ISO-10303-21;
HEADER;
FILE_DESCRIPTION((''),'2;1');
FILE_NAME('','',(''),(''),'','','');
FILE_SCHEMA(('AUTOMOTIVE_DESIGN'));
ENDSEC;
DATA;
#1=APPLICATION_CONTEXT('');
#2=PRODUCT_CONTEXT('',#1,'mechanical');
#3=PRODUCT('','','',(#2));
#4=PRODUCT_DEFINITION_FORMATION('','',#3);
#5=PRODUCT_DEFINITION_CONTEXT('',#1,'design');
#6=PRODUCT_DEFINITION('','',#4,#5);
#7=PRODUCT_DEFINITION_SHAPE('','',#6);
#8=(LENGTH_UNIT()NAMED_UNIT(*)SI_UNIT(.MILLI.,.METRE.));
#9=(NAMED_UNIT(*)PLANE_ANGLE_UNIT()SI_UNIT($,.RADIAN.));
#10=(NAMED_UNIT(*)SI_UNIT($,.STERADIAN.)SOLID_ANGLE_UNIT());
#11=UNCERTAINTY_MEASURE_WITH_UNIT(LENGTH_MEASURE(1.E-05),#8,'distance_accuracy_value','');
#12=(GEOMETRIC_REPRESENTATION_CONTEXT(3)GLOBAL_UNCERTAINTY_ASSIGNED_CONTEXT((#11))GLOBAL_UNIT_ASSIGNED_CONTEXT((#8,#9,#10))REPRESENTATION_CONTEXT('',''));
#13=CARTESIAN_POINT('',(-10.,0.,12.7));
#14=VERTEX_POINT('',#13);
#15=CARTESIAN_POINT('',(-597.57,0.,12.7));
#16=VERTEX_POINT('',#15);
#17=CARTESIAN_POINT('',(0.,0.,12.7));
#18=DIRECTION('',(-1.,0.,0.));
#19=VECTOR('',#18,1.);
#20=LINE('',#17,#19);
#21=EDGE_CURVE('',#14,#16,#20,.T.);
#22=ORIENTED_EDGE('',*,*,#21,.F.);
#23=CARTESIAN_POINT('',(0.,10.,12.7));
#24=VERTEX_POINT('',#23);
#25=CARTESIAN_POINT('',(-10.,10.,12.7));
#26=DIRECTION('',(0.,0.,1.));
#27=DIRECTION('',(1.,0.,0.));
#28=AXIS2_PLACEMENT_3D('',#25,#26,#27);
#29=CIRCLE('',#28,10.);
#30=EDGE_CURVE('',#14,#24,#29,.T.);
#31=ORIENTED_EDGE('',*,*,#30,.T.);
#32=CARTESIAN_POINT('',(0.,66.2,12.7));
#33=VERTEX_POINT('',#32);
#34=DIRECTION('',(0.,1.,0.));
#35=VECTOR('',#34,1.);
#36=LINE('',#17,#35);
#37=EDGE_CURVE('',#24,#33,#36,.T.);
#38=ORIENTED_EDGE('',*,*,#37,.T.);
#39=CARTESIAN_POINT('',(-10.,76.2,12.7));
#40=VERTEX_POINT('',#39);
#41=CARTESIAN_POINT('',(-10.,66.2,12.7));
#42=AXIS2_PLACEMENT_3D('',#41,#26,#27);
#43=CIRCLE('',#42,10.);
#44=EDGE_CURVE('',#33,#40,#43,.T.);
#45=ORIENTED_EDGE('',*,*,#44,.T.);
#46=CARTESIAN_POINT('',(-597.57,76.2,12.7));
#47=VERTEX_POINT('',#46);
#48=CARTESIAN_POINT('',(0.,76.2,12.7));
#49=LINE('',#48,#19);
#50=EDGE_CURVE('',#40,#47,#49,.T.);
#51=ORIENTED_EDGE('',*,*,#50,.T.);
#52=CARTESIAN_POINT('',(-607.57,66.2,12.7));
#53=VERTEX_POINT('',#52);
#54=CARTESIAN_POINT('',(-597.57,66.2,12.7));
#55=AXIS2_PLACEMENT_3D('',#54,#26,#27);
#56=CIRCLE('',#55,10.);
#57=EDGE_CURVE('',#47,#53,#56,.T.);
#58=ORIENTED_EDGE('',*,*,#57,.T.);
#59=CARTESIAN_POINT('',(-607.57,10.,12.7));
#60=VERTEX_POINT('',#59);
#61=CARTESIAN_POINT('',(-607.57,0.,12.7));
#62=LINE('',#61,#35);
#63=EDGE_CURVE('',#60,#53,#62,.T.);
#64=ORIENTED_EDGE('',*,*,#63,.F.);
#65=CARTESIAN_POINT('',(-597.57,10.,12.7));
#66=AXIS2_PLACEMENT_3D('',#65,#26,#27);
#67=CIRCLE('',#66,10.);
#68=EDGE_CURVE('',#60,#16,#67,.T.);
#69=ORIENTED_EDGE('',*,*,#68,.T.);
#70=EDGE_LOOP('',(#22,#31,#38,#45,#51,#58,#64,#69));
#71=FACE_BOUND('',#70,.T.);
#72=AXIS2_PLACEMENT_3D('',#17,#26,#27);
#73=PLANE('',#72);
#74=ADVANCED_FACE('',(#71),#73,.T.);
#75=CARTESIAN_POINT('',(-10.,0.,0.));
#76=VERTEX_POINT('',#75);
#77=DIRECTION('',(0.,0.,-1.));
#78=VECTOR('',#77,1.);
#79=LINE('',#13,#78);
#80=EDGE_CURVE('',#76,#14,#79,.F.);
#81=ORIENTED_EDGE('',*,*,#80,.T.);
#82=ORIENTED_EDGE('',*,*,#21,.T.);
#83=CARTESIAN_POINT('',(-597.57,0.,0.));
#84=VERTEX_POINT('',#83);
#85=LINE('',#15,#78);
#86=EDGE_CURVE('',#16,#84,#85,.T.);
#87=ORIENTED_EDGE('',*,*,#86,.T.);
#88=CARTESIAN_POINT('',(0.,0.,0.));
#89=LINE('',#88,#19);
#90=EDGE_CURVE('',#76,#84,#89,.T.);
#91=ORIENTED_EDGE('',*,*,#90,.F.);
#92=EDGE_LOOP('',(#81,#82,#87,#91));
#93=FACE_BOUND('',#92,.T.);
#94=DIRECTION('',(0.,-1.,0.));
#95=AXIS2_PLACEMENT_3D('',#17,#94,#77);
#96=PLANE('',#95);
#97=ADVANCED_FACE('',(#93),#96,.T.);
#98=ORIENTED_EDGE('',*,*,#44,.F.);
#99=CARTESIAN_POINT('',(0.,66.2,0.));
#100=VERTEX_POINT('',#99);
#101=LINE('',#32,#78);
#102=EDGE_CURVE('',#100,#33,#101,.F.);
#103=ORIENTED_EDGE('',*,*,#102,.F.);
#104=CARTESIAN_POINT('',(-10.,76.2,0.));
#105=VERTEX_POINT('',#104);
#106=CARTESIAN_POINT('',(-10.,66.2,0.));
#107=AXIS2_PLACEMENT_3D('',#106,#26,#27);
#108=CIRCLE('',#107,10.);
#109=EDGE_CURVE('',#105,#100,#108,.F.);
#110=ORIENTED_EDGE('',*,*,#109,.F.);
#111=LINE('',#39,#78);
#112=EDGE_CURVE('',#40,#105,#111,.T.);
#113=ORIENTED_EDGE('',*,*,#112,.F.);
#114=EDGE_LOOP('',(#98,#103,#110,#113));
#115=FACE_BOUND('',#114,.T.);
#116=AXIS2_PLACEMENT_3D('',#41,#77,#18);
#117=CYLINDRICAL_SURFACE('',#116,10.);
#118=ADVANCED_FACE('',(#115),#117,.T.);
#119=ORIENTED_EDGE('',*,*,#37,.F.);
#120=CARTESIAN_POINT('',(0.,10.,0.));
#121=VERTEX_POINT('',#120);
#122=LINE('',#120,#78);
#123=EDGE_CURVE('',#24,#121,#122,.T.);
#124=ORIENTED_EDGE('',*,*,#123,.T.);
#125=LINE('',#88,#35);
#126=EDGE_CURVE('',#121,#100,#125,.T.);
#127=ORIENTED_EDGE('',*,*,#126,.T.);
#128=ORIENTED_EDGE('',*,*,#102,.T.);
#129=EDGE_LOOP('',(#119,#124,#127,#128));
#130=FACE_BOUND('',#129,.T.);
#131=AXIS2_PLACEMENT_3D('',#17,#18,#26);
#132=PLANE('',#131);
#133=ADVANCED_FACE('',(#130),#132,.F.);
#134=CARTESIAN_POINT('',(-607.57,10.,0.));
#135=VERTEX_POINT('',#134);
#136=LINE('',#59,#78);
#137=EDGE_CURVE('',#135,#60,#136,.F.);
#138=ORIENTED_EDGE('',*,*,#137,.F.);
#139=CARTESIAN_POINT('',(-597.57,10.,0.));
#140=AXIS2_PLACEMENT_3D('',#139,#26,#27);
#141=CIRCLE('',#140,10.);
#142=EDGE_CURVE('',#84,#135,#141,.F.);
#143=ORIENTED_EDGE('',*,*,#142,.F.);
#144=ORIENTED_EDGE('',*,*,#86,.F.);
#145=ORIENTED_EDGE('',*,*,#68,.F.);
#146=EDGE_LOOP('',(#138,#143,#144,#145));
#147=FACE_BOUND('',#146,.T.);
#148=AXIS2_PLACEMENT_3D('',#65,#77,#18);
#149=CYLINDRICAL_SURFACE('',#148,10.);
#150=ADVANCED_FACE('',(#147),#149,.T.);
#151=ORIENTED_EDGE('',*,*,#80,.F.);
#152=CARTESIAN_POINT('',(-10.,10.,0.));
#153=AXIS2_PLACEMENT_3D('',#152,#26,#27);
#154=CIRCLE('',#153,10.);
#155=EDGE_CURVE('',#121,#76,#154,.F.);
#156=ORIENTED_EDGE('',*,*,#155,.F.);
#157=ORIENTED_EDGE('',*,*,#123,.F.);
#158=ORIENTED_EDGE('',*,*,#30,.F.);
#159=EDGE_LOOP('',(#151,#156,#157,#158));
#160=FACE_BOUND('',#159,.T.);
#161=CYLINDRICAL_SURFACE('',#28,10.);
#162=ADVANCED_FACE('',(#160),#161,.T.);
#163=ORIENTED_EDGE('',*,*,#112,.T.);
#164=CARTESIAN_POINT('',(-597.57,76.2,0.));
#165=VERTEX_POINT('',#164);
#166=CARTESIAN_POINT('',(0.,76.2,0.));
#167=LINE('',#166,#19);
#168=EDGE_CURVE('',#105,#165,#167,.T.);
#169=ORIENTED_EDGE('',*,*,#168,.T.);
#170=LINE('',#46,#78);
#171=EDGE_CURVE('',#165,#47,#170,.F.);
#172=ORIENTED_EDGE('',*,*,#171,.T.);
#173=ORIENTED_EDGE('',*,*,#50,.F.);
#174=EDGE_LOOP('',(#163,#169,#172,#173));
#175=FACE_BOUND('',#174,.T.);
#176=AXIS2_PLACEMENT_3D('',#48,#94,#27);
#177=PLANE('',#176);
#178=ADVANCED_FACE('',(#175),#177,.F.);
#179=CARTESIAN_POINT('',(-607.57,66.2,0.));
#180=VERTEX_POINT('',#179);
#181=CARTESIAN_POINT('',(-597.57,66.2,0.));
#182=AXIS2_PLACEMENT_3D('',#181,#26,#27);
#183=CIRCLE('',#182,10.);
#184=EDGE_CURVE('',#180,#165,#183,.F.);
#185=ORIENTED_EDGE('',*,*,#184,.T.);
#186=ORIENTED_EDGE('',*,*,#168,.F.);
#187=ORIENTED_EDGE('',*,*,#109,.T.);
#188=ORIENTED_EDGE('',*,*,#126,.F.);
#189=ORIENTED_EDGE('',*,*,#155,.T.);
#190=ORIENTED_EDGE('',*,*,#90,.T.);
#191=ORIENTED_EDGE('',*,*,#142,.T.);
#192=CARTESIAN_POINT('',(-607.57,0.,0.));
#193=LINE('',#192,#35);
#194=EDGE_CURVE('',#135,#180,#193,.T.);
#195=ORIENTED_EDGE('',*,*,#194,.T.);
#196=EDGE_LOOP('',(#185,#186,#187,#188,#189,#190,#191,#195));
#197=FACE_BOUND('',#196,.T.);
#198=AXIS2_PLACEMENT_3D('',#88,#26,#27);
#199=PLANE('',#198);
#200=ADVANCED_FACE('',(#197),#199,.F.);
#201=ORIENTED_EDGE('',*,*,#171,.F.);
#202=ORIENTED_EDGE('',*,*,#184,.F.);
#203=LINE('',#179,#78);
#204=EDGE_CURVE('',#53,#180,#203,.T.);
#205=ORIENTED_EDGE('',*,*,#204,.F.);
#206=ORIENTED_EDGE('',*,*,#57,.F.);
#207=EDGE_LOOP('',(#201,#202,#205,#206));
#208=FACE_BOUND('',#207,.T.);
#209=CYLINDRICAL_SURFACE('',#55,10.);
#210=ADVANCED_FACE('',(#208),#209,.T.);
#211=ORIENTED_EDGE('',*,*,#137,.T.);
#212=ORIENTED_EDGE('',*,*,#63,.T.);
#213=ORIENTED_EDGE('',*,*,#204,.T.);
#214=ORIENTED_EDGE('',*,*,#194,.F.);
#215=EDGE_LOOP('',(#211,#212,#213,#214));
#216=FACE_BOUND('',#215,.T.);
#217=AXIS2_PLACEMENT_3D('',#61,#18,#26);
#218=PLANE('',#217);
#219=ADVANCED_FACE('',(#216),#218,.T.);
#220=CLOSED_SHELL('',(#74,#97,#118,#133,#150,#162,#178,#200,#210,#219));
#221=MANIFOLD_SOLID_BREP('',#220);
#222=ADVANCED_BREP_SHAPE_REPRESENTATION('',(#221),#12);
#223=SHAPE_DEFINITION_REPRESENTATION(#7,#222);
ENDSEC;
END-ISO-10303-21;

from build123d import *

# Parameters (mm, degrees)
SKETCH1_W           = 607.57
SKETCH1_H           = 76.2
BOSS_EXTRUDE1_DEPTH = 12.7
FILLET1_R           = 10


with BuildPart() as part:
    # Sketch1 → Boss-Extrude1 (new body)
    with BuildSketch(Plane.XY):
        with Locations((-303.785, 38.1)):
            Rectangle(SKETCH1_W, SKETCH1_H)
    extrude(amount=BOSS_EXTRUDE1_DEPTH)

    # Fillet1
    fillet1_edges = [part.edges().sort_by_distance(p)[0] for p in [
        (0, 0, 6.35),
        (-607.57, 0, 6.35),
        (-607.57, 76.2, 6.35),
        (0, 76.2, 6.35),
    ]]
    fillet(fillet1_edges, radius=FILLET1_R)


solid = part.part
